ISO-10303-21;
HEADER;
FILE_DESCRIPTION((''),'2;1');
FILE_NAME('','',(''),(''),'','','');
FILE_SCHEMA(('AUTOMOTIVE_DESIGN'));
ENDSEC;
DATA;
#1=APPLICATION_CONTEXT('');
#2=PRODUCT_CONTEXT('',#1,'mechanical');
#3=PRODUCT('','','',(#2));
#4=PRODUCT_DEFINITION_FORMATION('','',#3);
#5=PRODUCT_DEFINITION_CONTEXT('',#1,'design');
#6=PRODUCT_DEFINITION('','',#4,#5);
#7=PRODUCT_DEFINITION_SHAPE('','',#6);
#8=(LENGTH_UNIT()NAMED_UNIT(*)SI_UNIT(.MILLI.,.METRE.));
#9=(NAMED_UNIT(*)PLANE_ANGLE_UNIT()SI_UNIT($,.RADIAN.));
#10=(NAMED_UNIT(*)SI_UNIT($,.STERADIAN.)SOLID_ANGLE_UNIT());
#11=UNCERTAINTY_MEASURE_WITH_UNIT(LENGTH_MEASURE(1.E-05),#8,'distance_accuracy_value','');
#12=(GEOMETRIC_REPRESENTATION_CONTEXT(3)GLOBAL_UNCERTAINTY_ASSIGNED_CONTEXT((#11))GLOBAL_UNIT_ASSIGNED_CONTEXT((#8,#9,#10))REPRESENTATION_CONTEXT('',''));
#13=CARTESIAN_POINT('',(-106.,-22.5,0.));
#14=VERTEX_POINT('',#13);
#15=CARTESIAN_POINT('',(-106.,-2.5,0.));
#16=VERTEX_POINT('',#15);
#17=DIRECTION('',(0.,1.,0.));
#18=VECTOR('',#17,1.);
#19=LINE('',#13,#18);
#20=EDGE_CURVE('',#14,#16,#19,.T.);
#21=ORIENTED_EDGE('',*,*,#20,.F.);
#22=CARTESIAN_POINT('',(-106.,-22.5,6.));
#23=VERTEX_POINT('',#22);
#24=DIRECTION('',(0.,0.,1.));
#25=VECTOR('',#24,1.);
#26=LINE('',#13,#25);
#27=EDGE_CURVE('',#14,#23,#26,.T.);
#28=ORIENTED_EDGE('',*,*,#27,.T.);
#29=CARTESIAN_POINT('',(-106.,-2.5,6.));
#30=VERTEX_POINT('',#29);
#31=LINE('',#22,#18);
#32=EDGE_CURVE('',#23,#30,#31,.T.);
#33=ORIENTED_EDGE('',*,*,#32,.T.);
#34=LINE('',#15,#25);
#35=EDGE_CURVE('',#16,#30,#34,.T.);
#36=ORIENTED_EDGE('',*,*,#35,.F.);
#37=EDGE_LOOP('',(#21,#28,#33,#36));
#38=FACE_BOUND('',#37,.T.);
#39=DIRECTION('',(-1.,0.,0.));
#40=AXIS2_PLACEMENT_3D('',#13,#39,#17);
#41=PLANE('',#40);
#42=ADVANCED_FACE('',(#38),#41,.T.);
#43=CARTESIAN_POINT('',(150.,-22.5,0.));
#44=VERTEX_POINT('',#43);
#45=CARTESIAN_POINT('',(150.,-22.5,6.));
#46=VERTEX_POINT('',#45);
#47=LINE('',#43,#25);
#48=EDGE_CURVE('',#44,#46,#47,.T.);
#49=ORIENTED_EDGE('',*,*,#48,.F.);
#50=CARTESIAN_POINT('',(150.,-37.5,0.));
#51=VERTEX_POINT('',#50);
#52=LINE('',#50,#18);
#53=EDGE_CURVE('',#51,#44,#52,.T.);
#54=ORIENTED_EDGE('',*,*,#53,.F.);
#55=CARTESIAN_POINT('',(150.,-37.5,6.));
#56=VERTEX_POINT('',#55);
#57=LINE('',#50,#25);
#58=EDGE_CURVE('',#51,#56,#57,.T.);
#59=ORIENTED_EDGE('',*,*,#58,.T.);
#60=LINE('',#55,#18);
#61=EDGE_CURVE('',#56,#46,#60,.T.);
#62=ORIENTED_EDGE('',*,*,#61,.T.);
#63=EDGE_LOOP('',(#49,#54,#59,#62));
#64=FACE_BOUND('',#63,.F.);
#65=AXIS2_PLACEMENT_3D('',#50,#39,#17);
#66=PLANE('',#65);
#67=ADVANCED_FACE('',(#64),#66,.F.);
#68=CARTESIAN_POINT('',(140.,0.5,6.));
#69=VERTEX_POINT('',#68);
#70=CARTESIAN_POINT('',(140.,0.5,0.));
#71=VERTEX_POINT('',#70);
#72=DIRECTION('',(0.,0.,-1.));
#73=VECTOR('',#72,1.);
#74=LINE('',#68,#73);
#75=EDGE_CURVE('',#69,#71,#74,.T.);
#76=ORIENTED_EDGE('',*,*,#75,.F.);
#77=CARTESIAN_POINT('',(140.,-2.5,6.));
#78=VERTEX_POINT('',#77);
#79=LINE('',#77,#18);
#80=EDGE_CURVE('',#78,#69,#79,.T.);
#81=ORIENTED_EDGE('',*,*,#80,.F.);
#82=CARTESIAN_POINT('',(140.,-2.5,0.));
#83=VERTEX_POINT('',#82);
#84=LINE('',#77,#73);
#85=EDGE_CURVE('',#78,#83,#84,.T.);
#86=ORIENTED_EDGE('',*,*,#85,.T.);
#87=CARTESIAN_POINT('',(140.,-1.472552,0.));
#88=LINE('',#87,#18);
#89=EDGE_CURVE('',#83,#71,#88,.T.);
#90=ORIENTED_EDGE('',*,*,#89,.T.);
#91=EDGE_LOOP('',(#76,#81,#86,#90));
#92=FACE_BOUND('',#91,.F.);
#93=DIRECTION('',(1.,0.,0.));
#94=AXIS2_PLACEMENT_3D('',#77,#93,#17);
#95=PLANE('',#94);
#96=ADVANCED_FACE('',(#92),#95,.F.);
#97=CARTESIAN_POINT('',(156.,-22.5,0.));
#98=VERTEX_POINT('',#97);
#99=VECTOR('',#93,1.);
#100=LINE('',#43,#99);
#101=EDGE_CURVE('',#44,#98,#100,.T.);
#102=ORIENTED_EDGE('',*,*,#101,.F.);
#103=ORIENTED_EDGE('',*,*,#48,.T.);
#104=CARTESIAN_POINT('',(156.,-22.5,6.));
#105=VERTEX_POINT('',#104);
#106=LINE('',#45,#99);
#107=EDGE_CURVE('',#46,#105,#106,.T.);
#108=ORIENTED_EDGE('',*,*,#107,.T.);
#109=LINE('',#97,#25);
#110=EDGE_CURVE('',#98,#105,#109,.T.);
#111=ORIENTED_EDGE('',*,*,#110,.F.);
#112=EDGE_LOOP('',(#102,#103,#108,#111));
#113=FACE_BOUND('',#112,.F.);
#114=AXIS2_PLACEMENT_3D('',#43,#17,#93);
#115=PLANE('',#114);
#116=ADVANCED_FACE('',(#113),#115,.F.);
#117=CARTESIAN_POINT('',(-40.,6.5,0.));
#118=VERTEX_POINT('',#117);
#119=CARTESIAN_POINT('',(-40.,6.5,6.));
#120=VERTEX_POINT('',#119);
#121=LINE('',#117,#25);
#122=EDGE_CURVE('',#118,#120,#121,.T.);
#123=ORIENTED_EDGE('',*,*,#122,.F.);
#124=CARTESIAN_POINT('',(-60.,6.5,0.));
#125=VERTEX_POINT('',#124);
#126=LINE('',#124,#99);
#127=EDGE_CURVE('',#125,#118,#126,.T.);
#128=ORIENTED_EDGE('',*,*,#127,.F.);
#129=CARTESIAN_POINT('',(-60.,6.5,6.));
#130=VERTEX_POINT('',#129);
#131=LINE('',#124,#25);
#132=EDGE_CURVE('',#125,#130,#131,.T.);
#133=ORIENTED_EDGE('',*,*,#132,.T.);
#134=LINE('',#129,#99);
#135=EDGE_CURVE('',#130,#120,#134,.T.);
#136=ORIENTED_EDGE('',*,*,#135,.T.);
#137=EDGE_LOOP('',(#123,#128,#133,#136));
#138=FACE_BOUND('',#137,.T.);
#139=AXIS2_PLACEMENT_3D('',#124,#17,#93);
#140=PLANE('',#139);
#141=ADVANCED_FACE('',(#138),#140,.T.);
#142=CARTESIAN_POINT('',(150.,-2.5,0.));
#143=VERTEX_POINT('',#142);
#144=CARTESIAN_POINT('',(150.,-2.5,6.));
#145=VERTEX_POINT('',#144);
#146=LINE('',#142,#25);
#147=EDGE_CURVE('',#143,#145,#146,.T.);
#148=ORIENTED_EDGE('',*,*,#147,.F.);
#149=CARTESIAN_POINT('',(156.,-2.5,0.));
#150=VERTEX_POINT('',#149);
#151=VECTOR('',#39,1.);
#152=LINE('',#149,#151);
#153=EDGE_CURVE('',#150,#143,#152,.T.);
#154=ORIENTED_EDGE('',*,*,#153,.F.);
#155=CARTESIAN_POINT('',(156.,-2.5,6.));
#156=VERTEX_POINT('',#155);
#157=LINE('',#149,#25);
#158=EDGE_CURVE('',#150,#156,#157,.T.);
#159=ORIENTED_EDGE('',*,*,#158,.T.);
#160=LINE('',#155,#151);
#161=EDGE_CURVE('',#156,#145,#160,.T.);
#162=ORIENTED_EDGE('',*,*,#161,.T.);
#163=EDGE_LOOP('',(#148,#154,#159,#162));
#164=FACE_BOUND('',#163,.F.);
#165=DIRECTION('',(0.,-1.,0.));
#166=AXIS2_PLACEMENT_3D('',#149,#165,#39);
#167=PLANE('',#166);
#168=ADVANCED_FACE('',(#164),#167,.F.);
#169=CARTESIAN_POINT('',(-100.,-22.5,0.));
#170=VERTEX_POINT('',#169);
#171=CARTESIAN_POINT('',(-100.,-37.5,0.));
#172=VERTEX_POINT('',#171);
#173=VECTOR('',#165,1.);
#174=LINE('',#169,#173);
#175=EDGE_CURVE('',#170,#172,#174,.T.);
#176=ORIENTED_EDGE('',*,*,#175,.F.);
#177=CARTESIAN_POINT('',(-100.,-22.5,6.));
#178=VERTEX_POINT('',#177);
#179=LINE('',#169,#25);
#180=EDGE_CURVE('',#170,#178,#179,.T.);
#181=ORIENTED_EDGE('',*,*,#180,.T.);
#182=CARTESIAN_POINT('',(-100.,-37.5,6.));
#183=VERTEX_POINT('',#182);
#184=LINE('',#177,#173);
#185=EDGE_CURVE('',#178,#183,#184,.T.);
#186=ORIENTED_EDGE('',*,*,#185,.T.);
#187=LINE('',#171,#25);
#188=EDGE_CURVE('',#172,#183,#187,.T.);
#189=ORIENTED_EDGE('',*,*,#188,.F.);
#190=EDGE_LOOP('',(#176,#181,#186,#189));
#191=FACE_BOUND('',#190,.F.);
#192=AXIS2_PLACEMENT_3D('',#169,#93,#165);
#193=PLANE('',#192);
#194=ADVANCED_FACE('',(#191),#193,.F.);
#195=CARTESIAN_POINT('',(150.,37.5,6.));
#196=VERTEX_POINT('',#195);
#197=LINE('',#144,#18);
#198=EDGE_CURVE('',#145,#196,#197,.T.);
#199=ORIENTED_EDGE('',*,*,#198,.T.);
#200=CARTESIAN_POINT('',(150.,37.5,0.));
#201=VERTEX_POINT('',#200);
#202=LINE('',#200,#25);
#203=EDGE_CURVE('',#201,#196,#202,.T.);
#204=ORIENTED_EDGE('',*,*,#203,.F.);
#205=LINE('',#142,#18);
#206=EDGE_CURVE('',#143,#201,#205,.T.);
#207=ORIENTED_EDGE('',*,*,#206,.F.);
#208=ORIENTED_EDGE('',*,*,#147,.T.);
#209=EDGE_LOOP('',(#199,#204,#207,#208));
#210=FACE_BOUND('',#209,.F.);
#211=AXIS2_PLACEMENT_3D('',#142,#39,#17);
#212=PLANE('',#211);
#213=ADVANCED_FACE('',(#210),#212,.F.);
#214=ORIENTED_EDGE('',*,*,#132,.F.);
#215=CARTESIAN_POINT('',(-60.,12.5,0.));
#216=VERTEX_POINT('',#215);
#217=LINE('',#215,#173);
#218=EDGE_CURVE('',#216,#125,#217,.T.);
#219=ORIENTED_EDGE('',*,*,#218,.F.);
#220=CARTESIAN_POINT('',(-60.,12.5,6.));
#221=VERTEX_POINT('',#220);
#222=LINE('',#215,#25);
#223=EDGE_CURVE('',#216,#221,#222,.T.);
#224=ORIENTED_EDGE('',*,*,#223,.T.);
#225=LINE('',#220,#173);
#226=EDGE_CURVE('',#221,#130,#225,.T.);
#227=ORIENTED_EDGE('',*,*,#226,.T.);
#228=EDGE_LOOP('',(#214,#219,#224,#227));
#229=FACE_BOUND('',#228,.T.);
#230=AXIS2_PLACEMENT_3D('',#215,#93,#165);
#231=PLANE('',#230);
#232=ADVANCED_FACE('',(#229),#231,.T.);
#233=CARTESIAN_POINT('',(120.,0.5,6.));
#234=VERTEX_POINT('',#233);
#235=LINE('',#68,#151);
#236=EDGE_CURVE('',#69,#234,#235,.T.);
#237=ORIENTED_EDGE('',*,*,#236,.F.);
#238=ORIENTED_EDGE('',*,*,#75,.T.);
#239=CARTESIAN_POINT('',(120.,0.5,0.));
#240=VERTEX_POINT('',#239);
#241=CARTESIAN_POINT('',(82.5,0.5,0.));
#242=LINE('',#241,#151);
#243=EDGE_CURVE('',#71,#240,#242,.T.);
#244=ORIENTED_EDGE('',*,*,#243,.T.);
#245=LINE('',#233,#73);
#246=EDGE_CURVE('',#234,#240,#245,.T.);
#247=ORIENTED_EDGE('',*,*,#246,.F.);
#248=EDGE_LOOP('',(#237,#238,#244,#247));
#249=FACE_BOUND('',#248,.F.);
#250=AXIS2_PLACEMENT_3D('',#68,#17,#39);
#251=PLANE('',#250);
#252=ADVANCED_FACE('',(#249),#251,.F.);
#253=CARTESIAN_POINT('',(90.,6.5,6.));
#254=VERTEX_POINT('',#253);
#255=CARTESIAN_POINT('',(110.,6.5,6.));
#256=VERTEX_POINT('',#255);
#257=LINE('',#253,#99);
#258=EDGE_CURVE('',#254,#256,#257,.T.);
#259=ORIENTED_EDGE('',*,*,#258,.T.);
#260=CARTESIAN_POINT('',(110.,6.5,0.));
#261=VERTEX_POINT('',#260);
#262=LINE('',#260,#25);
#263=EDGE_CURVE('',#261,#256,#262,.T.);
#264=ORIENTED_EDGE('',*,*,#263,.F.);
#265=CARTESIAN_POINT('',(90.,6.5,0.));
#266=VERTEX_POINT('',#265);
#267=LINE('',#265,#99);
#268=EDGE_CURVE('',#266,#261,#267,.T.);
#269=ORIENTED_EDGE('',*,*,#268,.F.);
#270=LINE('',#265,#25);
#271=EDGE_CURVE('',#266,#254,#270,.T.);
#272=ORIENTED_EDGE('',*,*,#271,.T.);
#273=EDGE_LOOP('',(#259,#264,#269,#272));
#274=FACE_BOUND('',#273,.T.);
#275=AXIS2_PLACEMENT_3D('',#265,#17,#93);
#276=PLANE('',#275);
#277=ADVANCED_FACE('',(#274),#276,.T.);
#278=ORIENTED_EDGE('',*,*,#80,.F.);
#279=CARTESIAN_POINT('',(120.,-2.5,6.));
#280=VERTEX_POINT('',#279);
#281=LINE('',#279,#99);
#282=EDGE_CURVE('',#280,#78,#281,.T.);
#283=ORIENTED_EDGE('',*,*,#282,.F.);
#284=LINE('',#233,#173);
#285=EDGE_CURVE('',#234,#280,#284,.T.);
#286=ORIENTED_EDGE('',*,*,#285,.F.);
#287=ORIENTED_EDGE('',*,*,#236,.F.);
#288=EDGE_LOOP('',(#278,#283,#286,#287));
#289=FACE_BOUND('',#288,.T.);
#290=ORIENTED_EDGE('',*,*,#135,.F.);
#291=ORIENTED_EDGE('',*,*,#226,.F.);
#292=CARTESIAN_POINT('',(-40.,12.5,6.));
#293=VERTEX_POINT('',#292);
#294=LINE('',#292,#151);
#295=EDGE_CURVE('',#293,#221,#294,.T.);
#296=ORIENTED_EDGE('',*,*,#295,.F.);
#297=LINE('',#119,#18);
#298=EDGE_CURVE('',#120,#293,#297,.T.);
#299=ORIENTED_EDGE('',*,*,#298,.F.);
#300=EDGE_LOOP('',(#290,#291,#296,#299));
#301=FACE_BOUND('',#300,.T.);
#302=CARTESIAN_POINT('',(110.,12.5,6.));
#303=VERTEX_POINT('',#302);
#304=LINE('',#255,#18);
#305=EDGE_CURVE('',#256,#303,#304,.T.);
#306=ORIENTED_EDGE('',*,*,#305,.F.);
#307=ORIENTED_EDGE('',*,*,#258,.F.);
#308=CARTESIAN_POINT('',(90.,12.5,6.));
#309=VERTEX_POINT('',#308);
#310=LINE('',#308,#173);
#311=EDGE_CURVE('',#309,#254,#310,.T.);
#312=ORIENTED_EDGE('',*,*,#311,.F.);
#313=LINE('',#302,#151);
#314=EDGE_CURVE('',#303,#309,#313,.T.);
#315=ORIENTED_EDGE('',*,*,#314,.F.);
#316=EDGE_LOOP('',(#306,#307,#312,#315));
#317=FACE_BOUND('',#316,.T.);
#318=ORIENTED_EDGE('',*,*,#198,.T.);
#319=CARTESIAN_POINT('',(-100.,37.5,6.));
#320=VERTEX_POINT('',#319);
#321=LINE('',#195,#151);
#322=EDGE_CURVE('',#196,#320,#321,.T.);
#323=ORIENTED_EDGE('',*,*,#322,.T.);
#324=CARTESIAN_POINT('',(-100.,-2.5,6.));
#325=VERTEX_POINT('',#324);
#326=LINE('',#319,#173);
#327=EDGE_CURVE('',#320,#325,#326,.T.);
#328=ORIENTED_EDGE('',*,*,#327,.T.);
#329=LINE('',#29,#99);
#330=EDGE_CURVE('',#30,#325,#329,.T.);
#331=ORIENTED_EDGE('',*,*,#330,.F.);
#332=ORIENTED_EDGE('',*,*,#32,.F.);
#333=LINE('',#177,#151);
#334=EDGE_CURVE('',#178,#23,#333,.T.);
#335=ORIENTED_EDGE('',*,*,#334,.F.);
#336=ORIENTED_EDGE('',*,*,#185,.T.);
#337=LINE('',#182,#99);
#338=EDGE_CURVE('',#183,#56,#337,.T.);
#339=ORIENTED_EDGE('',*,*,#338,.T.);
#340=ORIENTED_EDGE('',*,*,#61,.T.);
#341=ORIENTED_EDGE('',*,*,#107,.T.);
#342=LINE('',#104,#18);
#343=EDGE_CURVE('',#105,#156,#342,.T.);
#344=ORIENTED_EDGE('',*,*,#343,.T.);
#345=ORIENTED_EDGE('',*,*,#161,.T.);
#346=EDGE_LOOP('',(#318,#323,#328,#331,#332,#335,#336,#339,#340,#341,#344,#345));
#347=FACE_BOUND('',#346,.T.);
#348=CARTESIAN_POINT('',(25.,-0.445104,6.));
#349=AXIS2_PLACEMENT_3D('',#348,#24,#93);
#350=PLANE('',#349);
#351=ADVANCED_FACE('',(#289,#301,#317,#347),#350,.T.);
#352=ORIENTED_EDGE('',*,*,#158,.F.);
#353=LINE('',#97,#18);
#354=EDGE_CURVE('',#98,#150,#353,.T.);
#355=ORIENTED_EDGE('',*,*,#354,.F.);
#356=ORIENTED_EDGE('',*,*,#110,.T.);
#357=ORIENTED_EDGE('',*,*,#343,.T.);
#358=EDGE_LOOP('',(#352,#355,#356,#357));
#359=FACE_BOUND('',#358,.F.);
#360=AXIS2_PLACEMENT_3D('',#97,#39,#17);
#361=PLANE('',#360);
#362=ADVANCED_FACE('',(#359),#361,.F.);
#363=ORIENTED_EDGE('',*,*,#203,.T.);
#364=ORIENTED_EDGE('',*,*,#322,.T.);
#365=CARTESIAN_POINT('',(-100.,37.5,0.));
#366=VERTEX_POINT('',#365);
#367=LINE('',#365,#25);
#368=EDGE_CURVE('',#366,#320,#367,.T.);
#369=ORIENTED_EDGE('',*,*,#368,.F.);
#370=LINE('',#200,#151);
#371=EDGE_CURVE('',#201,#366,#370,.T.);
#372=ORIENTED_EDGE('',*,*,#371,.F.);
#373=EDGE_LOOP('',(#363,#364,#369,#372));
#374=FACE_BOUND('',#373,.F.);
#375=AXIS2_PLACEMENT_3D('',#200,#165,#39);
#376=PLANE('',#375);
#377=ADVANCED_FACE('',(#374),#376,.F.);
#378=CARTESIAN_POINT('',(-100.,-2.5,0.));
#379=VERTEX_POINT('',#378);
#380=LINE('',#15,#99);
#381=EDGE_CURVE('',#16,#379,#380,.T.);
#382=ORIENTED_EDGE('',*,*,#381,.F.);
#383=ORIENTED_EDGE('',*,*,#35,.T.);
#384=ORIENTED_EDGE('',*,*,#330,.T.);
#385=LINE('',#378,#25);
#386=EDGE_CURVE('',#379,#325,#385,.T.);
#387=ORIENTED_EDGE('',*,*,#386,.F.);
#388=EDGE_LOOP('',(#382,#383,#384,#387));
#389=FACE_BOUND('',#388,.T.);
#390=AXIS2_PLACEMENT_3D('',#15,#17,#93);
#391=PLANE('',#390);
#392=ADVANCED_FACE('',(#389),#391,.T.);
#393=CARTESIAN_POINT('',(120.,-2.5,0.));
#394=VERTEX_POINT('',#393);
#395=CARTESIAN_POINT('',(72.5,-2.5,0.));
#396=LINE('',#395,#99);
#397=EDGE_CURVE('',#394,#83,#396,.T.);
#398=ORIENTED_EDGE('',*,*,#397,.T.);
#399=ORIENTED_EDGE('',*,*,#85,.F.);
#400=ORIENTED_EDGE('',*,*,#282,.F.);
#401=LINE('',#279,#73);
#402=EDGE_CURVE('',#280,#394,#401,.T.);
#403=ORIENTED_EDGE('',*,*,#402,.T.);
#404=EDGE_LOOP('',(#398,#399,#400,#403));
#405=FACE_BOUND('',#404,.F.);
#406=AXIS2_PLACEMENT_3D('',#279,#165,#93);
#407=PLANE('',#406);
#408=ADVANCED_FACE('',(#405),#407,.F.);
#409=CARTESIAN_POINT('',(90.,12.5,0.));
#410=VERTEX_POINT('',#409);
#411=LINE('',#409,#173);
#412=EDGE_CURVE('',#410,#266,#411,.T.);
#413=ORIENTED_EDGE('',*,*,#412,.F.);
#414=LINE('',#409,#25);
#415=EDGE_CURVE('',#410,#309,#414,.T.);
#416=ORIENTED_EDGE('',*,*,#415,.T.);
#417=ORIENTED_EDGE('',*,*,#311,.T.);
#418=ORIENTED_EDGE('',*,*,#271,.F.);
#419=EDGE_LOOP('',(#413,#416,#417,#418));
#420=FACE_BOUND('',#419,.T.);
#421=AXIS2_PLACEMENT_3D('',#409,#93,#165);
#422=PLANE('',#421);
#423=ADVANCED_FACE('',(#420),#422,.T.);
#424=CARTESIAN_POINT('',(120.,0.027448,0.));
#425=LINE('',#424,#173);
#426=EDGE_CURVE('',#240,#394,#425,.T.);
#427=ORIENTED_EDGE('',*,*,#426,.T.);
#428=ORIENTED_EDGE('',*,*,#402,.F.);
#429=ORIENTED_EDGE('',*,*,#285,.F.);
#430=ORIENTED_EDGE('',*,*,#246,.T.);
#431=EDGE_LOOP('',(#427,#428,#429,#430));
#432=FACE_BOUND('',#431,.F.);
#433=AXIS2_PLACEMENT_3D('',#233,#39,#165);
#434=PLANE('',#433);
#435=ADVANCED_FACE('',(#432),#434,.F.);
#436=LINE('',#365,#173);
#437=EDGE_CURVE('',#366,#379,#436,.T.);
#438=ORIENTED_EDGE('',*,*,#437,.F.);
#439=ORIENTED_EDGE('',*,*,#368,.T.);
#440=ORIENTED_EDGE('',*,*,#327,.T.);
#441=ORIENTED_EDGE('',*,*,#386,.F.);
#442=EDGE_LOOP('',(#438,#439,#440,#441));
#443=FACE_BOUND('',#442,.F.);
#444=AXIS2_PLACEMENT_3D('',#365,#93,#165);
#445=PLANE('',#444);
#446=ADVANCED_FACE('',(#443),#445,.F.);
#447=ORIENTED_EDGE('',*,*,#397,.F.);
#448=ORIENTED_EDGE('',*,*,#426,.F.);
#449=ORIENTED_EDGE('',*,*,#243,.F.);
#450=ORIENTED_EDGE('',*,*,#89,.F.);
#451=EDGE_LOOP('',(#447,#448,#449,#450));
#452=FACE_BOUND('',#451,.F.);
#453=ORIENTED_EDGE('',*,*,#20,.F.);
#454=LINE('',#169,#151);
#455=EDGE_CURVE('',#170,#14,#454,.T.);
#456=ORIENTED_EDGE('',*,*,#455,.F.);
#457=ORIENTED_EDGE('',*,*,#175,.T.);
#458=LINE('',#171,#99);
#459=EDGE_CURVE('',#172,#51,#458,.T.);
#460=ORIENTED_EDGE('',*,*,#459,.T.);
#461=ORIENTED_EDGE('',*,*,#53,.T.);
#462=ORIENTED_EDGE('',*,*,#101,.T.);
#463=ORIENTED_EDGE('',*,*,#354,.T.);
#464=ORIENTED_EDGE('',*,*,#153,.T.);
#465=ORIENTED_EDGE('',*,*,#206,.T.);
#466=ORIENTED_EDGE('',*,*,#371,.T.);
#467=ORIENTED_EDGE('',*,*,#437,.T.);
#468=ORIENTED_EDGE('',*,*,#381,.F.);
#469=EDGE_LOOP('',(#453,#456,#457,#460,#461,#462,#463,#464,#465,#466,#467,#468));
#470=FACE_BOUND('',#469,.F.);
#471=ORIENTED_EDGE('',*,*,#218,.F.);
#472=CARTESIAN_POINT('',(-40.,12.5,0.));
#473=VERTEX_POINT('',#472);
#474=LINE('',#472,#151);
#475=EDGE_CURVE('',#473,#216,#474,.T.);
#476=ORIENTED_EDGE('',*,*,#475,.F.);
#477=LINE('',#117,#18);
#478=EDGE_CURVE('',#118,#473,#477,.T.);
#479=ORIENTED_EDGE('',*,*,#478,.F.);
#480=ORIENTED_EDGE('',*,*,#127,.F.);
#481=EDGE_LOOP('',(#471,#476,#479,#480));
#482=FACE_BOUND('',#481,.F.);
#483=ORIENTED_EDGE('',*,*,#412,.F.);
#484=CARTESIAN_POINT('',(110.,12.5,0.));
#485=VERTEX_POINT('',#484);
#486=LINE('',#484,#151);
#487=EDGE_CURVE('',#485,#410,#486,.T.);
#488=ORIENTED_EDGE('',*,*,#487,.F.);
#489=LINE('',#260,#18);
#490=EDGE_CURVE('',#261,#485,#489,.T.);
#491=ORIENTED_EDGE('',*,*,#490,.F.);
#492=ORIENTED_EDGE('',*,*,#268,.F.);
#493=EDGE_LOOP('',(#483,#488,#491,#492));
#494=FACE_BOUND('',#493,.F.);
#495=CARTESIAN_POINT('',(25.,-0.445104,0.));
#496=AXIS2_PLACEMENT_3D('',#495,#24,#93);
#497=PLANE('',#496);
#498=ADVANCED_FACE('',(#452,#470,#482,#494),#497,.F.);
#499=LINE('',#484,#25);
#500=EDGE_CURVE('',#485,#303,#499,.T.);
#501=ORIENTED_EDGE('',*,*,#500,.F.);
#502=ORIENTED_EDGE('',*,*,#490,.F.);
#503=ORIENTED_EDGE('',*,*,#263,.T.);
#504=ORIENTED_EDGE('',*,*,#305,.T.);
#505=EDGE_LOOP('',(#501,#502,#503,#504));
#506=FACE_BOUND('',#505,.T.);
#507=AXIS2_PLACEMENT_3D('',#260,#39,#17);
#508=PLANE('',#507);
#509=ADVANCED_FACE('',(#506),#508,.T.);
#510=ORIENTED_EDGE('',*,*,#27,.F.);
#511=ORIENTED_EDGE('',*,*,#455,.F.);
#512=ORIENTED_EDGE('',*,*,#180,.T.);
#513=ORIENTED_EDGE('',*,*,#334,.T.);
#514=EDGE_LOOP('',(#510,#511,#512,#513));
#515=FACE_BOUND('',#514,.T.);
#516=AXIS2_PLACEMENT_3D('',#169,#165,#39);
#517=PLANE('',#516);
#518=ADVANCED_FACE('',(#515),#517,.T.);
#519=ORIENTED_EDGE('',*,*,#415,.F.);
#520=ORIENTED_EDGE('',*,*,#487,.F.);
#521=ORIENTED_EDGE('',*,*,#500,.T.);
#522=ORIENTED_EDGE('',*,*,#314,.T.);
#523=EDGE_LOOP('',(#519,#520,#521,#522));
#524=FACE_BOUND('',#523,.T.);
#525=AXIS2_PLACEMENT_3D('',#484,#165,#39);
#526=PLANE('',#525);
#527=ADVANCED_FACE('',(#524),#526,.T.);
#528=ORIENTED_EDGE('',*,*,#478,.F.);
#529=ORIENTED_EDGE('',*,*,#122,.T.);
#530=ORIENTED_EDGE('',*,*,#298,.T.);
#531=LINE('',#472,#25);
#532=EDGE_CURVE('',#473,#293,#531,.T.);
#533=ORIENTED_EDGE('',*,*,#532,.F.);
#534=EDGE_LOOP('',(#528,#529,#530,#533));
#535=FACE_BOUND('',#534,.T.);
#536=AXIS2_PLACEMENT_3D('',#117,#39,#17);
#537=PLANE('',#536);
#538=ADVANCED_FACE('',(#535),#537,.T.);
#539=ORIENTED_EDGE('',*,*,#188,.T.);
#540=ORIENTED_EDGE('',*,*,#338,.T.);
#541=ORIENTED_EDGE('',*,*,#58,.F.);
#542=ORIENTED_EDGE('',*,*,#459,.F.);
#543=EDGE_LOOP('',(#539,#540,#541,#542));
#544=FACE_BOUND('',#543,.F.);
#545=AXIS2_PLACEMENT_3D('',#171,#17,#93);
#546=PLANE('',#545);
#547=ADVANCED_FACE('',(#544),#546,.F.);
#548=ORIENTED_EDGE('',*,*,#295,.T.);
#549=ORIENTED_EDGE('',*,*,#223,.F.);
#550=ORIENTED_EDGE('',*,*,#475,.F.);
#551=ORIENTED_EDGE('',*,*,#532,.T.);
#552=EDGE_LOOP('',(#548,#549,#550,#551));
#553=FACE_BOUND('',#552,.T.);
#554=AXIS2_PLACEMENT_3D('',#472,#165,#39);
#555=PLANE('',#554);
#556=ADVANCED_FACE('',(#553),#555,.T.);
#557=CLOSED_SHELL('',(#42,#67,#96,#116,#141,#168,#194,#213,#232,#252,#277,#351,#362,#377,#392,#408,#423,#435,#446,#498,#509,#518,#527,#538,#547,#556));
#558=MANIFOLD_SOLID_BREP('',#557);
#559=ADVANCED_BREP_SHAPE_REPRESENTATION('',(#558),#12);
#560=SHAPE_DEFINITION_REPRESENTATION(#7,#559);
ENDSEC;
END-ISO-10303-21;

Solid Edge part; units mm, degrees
sketch "Sketch1" plane through (0, 0, 0) normal (0, 0, 1) x (1, 0, 0)
  line L0 (-60, 6.5) -> (-40, 6.5)
  line L1 (-40, 6.5) -> (-40, 12.5)
  line L2 (-40, 12.5) -> (-60, 12.5)
  line L3 (-60, 12.5) -> (-60, 6.5)
  line L4 (90, 6.5) -> (110, 6.5)
  line L5 (110, 6.5) -> (110, 12.5)
  line L6 (110, 12.5) -> (90, 12.5)
  line L7 (90, 12.5) -> (90, 6.5)
  line L8 (150, -37.5) -> (150, -22.5)
  line L9 (150, -22.5) -> (156, -22.5)
  line L10 (156, -22.5) -> (156, -2.5)
  line L11 (156, -2.5) -> (150, -2.5)
  line L12 (150, -2.5) -> (150, 37.5)
  line L13 (150, 37.5) -> (-100, 37.5)
  line L14 (-100, 37.5) -> (-100, -2.5)
  line L15 (-106, -2.5) -> (-100, -2.5)
  line L16 (-106, -22.5) -> (-106, -2.5)
  line L17 (-100, -22.5) -> (-106, -22.5)
  line L18 (-100, -22.5) -> (-100, -37.5)
  line L19 (-100, -37.5) -> (150, -37.5)
  dimension "D1" = 6
  dimension "D2" = 20
  dimension "D3" = 20
  dimension "D4" = 6
  dimension "D5" = 20
  dimension "D6" = 6
  dimension "D7" = 20
  dimension "D8" = 40
  dimension "D9" = 40
  dimension "D10" = 250
  dimension "D11" = 6
  dimension "D12" = 6
extrude "Protrusion1" add sketch "Sketch1" along normal blind 6
sketch "Sketch2" plane through (25, 0, 6) normal (0, 0, 1) x (1, 0, 0)
  line L0 (95, -2.5) -> (115, -2.5)
  line L1 (115, -2.5) -> (115, 0.5)
  line L2 (115, 0.5) -> (95, 0.5)
  line L3 (95, 0.5) -> (95, -2.5)
  dimension "D1" = 20
  dimension "D2" = 3
  dimension "D3" = 10
extrude "Cutout1" cut sketch "Sketch2" against normal through all
